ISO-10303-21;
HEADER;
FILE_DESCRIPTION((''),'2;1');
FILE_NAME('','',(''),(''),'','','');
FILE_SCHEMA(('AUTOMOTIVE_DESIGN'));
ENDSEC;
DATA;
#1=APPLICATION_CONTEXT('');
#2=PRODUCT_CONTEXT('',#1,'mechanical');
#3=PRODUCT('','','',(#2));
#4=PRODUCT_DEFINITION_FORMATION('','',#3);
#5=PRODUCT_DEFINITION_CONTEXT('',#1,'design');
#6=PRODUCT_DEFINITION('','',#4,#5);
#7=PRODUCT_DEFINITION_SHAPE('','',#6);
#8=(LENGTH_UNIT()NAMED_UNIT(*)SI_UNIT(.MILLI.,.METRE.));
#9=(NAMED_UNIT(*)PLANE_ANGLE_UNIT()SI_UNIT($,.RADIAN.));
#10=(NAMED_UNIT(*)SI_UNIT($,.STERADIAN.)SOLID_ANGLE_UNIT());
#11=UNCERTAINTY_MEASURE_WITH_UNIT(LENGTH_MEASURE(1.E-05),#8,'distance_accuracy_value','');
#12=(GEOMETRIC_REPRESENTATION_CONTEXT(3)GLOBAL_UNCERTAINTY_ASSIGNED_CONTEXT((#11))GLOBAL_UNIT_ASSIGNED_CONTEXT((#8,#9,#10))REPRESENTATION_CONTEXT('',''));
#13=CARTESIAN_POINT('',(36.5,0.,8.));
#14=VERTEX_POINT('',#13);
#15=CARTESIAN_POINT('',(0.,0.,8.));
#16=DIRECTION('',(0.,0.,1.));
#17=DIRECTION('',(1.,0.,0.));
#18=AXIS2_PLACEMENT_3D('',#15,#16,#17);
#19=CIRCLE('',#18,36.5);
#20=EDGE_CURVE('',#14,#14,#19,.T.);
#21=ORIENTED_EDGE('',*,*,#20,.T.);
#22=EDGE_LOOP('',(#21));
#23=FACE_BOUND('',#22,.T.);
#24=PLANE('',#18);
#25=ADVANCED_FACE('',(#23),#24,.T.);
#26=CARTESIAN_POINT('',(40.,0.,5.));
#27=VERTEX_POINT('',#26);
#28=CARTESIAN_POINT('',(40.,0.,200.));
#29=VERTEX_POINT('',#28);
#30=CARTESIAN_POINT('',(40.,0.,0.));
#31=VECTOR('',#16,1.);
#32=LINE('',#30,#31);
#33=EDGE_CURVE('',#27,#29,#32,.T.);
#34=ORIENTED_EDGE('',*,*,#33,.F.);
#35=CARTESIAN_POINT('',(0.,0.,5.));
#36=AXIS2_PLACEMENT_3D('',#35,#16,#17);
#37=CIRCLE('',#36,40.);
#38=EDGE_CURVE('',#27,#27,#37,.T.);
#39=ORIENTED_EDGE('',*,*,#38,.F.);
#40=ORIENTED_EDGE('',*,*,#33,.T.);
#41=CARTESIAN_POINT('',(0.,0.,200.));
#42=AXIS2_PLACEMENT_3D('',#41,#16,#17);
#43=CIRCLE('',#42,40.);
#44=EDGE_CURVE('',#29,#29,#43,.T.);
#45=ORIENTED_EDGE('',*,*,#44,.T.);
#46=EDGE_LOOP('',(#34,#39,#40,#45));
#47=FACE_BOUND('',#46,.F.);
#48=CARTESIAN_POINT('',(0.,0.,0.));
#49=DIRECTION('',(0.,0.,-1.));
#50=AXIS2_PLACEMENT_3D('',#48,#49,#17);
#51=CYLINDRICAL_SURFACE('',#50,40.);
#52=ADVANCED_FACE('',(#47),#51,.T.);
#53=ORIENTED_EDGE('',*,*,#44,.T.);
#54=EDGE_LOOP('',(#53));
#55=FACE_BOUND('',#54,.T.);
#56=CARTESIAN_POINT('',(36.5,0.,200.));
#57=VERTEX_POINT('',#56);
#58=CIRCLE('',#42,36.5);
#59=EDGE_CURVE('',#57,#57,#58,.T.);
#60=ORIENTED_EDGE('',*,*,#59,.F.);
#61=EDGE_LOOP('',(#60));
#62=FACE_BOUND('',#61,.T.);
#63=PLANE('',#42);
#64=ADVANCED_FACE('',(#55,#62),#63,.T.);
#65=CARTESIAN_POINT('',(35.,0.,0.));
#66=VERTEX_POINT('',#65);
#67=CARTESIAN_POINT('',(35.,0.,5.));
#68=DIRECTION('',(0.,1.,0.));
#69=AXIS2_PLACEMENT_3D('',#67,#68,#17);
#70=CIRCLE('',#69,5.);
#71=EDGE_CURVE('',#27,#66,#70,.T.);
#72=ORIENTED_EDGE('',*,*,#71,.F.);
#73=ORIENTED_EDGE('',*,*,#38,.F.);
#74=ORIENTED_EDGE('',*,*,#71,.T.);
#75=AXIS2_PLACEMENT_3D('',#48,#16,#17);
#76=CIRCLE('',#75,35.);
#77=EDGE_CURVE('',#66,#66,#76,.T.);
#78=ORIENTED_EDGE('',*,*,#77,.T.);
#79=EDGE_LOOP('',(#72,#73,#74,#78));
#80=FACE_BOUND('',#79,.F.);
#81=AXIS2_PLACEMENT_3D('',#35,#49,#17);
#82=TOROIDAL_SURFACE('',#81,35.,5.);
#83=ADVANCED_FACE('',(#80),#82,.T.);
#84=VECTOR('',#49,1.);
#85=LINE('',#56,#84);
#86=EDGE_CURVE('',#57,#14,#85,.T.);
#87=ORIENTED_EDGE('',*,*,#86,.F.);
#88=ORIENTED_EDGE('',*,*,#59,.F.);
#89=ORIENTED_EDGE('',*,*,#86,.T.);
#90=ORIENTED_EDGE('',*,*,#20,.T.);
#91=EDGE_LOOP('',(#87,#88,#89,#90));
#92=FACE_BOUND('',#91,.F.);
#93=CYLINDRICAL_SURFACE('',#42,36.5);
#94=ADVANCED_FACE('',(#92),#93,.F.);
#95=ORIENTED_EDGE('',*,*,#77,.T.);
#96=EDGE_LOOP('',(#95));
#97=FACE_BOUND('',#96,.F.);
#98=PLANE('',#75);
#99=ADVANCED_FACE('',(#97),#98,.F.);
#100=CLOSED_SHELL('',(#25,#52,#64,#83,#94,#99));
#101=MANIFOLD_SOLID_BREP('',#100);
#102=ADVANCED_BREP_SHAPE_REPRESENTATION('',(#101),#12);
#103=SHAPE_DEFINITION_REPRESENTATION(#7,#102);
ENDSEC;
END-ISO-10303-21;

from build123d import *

# Parameters (mm, degrees)
F0_R     = 40
F1_DEPTH = 200
F2_R     = 5
F3_R     = 36.5
F4_DEPTH = 192


with BuildPart() as f1:
    # F0 (on Top) → F1 (new body)
    with BuildSketch(Plane.XY):
        Circle(F0_R)
    extrude(amount=F1_DEPTH)

    # F2
    f2_edges = [f1.edges().sort_by_distance(p)[0] for p in [
        (-40, 0, 0),
    ]]
    fillet(f2_edges, radius=F2_R)

    # F3 (on face) → F4 (cut)
    with BuildSketch(Plane.XY.offset(200)):
        Circle(F3_R)
    extrude(amount=-F4_DEPTH, mode=Mode.SUBTRACT)


solid = f1.part
